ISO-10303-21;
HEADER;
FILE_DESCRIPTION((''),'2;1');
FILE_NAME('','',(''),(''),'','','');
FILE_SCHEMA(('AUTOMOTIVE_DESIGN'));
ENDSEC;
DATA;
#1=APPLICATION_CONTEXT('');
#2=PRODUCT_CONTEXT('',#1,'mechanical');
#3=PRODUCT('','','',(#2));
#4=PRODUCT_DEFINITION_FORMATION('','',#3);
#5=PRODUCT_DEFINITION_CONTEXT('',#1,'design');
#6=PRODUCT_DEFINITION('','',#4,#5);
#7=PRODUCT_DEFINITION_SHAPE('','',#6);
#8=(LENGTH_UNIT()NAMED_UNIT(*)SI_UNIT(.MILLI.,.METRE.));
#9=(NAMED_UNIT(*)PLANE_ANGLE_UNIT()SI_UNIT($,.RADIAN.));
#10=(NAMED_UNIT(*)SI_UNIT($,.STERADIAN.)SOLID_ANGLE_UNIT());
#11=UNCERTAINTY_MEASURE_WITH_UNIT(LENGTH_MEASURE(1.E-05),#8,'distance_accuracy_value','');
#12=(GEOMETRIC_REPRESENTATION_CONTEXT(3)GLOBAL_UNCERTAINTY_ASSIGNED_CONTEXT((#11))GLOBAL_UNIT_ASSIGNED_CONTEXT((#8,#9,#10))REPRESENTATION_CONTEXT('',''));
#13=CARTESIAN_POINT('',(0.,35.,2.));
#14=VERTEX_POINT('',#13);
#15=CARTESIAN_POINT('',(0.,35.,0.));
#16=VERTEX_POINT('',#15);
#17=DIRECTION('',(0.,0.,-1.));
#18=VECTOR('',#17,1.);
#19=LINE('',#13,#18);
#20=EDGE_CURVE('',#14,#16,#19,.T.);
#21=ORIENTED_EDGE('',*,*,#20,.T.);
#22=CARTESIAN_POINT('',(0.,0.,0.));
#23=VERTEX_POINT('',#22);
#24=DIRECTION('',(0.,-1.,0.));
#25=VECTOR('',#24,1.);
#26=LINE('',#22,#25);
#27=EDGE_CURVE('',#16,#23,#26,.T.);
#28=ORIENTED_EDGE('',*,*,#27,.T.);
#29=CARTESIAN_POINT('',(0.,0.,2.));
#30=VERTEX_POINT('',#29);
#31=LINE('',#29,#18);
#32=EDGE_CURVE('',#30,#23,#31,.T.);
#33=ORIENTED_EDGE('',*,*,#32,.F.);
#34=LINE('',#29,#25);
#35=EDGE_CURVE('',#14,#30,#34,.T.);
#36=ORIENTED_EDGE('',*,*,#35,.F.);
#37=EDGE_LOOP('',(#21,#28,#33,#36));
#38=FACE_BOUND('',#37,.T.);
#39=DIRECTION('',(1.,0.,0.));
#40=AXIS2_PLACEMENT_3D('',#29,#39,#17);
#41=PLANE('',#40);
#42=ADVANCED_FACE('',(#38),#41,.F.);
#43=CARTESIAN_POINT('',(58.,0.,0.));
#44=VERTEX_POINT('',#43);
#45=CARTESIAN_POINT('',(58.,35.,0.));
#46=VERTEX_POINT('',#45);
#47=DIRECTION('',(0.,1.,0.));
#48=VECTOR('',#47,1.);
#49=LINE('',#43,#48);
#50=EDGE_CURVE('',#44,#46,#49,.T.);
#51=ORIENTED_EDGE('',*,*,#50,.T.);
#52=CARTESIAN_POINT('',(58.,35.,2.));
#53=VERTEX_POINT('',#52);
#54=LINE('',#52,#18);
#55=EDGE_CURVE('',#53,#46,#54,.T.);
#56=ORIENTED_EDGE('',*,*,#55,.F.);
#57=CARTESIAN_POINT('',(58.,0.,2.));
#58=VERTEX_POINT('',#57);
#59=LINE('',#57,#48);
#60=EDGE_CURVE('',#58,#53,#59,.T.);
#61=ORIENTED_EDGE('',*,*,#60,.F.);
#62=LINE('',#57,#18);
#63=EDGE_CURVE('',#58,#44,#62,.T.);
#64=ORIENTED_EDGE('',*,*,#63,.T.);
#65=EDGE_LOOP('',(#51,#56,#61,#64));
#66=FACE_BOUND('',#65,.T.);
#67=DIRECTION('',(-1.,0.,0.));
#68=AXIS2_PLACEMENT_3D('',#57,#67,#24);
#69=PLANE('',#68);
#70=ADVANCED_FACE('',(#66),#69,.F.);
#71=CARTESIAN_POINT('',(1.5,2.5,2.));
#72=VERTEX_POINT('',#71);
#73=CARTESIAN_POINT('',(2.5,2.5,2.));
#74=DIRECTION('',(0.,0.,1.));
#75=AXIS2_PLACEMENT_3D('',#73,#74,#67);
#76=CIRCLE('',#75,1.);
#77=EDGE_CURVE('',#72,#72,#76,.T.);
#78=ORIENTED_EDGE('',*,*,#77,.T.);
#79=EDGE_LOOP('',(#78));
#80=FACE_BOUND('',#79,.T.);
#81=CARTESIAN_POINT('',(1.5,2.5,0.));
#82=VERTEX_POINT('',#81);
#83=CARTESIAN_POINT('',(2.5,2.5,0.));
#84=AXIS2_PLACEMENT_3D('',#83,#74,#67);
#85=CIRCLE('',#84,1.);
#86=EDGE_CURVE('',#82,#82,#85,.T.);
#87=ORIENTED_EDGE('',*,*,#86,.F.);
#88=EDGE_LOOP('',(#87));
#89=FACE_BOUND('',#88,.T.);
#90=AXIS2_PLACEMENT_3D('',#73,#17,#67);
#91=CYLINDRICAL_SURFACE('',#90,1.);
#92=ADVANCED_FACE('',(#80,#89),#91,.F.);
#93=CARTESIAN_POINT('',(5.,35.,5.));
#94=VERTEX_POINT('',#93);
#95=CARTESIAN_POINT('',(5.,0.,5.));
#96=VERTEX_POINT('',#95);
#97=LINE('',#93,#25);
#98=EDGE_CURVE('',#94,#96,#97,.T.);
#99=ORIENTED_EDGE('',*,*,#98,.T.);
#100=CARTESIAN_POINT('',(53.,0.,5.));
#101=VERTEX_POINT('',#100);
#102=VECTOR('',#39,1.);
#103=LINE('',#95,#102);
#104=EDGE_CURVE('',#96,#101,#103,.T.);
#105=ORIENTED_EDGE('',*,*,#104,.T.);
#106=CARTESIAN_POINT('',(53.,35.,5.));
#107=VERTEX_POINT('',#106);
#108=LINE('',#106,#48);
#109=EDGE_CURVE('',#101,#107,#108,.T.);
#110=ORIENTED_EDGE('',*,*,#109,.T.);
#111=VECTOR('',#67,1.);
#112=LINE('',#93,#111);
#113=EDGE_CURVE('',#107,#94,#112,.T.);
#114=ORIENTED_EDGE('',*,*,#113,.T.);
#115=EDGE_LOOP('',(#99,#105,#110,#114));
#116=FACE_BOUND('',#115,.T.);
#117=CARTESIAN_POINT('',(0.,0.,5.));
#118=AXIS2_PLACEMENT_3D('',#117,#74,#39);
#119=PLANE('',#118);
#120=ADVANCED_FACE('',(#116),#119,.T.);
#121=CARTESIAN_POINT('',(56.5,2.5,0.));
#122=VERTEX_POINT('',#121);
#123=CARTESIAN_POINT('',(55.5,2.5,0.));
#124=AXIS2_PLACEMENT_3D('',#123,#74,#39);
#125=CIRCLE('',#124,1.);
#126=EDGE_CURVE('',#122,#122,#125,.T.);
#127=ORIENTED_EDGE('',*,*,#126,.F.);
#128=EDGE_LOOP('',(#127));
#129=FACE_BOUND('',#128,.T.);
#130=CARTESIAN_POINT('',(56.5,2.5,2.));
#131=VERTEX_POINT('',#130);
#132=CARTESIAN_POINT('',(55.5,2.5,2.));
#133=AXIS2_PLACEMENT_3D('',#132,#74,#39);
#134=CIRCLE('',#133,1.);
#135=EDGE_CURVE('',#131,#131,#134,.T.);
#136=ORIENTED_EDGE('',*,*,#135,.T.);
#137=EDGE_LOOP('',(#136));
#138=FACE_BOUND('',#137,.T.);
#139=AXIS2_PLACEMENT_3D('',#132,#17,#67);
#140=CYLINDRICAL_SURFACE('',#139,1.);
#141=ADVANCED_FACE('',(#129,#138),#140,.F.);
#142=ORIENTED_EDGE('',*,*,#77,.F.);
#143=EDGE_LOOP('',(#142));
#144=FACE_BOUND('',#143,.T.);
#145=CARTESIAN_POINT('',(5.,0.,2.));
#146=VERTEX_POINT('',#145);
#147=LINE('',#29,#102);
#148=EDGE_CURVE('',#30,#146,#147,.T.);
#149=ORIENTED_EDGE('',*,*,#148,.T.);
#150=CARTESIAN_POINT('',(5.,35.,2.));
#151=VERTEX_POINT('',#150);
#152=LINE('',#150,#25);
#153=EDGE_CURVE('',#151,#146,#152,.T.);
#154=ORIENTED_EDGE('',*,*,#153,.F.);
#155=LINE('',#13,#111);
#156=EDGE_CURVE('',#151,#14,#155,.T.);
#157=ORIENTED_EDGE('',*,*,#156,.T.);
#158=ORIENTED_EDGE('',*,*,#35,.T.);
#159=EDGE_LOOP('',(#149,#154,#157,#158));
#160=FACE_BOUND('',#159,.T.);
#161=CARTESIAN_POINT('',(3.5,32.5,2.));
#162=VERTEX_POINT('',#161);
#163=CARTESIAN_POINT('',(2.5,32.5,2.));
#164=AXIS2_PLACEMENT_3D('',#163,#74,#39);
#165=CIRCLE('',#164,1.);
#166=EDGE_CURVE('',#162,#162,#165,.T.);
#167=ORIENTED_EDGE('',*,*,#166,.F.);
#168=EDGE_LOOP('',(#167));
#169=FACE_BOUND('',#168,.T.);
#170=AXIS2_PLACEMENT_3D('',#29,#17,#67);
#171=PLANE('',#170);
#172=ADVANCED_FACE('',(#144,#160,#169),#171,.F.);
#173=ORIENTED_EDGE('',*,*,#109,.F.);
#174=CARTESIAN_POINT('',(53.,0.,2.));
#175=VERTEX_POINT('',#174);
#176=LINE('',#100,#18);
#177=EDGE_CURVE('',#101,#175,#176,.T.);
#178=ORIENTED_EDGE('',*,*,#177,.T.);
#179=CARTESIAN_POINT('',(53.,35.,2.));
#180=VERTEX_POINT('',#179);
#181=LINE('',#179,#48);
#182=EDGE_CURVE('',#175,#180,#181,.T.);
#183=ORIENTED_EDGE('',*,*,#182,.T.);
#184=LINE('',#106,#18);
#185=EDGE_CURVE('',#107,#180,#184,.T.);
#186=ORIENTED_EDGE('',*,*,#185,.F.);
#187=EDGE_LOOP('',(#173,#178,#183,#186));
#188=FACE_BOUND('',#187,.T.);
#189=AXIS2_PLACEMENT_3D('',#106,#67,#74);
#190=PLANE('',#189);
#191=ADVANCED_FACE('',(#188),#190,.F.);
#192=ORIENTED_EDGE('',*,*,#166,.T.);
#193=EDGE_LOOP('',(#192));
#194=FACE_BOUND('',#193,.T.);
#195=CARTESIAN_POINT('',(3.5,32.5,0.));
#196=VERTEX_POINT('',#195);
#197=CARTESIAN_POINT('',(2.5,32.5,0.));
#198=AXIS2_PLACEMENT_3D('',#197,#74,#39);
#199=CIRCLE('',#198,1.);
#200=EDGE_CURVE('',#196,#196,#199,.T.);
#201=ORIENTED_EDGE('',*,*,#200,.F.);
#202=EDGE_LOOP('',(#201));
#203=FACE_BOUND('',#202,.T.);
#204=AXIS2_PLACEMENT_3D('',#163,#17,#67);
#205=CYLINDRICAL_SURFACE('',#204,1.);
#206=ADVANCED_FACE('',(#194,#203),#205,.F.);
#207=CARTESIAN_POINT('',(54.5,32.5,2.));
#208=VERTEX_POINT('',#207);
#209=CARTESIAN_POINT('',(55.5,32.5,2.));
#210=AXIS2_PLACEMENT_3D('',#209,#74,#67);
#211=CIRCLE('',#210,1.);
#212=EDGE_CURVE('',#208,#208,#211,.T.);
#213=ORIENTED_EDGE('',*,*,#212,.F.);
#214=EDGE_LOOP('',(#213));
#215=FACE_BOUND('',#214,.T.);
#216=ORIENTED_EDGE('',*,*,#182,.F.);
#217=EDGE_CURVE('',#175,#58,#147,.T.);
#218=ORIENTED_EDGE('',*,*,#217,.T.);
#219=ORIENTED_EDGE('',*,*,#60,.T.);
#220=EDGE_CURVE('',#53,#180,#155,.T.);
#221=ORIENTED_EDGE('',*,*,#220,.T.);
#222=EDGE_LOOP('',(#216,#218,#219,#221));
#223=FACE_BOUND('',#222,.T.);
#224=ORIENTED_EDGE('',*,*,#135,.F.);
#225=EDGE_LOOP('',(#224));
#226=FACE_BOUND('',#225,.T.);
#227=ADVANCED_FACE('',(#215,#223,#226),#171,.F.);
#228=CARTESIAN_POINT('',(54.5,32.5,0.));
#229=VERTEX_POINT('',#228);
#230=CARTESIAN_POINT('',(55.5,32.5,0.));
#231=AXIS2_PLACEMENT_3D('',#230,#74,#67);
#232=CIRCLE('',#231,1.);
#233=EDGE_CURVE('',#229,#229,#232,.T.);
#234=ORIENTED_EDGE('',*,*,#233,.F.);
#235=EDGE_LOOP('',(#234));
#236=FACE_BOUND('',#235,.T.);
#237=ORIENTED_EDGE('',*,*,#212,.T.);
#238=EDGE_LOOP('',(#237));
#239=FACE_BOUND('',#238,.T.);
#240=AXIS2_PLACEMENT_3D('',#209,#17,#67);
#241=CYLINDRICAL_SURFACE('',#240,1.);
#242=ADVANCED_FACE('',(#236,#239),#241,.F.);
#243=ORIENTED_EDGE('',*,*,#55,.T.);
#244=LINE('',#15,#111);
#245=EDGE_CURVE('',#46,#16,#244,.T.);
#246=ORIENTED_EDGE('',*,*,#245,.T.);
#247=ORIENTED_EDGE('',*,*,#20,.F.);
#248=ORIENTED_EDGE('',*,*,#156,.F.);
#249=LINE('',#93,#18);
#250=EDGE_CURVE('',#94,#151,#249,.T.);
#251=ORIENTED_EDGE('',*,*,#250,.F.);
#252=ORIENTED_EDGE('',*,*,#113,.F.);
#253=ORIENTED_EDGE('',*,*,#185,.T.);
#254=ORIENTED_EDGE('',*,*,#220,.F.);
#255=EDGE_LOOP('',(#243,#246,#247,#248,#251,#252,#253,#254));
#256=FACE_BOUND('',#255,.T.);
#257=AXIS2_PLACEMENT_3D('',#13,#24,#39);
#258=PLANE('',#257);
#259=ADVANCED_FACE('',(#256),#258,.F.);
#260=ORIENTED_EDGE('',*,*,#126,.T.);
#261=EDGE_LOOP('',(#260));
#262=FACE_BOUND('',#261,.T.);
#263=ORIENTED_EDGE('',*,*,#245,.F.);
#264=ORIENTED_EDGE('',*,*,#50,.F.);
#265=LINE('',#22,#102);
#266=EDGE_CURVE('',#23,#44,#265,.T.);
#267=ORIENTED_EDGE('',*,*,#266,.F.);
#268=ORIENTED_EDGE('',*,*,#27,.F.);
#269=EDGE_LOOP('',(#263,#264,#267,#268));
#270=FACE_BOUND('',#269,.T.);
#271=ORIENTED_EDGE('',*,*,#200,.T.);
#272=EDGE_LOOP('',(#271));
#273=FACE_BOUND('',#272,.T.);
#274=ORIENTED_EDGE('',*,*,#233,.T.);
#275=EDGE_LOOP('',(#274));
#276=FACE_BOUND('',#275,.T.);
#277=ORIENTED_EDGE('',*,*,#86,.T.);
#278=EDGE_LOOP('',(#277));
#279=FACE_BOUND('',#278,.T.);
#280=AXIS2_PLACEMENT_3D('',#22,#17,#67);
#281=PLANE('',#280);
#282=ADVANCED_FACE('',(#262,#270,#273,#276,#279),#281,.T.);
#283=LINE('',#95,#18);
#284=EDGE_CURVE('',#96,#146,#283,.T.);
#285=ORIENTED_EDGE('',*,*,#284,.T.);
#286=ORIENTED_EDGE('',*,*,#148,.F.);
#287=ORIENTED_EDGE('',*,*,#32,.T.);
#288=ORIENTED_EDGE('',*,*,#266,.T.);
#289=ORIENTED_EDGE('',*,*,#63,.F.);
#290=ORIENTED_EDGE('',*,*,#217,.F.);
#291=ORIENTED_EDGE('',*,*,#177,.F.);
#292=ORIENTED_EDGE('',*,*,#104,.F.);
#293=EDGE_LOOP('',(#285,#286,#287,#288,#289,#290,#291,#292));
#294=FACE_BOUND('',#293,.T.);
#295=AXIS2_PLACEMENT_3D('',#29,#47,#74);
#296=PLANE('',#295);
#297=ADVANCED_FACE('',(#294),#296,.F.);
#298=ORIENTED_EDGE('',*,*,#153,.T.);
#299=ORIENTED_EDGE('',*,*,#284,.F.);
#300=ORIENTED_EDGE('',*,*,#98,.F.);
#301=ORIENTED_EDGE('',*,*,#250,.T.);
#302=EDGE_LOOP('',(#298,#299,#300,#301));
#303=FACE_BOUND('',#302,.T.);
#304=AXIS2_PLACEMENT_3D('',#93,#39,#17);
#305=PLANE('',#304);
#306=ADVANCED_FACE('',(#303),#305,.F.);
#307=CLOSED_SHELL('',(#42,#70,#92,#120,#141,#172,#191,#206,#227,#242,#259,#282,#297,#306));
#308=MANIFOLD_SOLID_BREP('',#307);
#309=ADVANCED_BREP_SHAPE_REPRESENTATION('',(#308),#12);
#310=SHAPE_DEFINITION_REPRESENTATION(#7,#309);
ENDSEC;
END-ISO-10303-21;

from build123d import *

# Parameters (mm, degrees)
SKETCH1_W           = 58
SKETCH1_H           = 35
SKETCH1_R           = 1
BOSS_EXTRUDE1_DEPTH = 2
SKETCH2_W           = 48
SKETCH2_H           = 35
BOSS_EXTRUDE2_DEPTH = 3


with BuildPart() as part:
    # Sketch1 → Boss-Extrude1 (new body)
    with BuildSketch(Plane.XY):
        with Locations((29, 17.5)):
            Rectangle(SKETCH1_W, SKETCH1_H)
        with Locations((2.5, 32.5)):
            Circle(SKETCH1_R, mode=Mode.SUBTRACT)
        with Locations(Location((55.5, 32.5, 0), (0, 0, 180))):
            Circle(SKETCH1_R, mode=Mode.SUBTRACT)
        with Locations(Location((2.5, 2.5, 0), (0, 0, 180))):
            Circle(SKETCH1_R, mode=Mode.SUBTRACT)
        with Locations((55.5, 2.5)):
            Circle(SKETCH1_R, mode=Mode.SUBTRACT)
    extrude(amount=BOSS_EXTRUDE1_DEPTH)

    # Sketch2 → Boss-Extrude2 (add)
    with BuildSketch(Plane.XY.offset(2)):
        with Locations((29, 17.5)):
            Rectangle(SKETCH2_W, SKETCH2_H)
    extrude(amount=BOSS_EXTRUDE2_DEPTH)


solid = part.part
